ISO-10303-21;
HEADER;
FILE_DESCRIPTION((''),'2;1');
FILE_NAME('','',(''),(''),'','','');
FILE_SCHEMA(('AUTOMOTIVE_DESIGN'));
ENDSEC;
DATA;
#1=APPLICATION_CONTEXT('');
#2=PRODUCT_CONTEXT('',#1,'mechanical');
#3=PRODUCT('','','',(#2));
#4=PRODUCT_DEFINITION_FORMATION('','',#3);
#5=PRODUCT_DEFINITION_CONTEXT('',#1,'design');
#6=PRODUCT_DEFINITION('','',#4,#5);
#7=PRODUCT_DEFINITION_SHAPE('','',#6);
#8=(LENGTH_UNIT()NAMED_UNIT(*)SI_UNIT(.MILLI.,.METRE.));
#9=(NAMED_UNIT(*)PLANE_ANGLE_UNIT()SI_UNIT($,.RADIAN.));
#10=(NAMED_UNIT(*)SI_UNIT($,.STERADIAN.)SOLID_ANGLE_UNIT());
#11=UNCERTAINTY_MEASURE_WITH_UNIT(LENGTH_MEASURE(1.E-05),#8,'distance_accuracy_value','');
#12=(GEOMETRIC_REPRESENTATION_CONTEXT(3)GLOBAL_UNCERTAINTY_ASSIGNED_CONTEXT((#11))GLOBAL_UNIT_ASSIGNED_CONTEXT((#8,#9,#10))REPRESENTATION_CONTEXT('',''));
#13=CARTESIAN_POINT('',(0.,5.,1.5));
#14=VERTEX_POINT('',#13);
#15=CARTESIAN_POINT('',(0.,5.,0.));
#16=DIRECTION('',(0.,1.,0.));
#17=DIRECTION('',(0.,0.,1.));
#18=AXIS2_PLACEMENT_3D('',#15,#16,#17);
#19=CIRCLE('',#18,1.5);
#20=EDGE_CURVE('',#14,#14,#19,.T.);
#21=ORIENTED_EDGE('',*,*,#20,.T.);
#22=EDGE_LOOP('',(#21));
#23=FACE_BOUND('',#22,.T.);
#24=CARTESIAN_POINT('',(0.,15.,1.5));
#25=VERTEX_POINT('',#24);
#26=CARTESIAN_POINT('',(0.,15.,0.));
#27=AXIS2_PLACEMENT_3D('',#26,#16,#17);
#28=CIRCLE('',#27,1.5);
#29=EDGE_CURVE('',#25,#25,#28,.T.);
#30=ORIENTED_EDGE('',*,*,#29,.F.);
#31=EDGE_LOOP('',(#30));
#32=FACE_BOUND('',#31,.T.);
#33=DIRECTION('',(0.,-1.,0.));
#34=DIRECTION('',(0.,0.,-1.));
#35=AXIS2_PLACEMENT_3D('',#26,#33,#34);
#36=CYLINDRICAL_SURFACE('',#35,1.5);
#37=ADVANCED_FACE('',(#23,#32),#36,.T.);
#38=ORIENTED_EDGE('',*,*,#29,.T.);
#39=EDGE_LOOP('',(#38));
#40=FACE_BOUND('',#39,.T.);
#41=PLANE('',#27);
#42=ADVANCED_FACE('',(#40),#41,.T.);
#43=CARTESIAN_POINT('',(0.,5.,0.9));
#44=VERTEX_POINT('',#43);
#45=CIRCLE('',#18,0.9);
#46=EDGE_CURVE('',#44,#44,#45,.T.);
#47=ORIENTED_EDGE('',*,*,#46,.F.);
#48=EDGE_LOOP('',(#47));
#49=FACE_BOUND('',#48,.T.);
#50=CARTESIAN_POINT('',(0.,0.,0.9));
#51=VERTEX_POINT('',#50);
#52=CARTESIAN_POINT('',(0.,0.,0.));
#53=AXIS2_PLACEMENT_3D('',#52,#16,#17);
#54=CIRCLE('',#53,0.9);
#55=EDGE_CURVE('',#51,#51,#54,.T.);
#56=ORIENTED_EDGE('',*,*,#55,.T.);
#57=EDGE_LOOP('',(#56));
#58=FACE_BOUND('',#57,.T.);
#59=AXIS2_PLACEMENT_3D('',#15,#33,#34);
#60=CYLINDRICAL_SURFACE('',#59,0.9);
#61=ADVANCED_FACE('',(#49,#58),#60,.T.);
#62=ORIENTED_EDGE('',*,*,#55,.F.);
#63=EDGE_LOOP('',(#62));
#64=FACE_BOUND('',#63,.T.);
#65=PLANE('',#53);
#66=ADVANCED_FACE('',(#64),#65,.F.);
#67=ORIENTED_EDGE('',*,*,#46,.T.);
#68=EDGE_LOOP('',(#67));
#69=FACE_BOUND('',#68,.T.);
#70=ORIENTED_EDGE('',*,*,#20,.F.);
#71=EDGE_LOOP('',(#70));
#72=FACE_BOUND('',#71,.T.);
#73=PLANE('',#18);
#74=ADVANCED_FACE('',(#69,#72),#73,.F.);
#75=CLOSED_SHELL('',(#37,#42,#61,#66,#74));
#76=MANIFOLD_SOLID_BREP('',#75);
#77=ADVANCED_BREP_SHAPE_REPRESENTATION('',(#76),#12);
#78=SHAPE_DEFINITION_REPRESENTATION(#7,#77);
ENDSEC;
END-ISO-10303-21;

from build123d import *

# Parameters (mm, degrees)
SKETCH_1_R      = 0.9
EXTRUDE_1_DEPTH = 5
SKETCH_2_R      = 1.5
EXTRUDE_2_DEPTH = 10


with BuildPart() as part:
    # 草图1 → 凸台-拉伸1 (new body)
    with BuildSketch(Plane(origin=(0, 0, 0), x_dir=(1, 0, 0), z_dir=(0, 1, 0))):
        with Locations(Location((0, 0, 0), (0, 0, 270))):
            Circle(SKETCH_1_R)
    extrude(amount=EXTRUDE_1_DEPTH)

    # 草图2 → 凸台-拉伸2 (add)
    with BuildSketch(Plane(origin=(0, 5, 0), x_dir=(1, 0, 0), z_dir=(0, 1, 0))):
        with Locations(Location((0, 0, 0), (0, 0, 270))):
            Circle(SKETCH_2_R)
    extrude(amount=EXTRUDE_2_DEPTH)


solid = part.part
